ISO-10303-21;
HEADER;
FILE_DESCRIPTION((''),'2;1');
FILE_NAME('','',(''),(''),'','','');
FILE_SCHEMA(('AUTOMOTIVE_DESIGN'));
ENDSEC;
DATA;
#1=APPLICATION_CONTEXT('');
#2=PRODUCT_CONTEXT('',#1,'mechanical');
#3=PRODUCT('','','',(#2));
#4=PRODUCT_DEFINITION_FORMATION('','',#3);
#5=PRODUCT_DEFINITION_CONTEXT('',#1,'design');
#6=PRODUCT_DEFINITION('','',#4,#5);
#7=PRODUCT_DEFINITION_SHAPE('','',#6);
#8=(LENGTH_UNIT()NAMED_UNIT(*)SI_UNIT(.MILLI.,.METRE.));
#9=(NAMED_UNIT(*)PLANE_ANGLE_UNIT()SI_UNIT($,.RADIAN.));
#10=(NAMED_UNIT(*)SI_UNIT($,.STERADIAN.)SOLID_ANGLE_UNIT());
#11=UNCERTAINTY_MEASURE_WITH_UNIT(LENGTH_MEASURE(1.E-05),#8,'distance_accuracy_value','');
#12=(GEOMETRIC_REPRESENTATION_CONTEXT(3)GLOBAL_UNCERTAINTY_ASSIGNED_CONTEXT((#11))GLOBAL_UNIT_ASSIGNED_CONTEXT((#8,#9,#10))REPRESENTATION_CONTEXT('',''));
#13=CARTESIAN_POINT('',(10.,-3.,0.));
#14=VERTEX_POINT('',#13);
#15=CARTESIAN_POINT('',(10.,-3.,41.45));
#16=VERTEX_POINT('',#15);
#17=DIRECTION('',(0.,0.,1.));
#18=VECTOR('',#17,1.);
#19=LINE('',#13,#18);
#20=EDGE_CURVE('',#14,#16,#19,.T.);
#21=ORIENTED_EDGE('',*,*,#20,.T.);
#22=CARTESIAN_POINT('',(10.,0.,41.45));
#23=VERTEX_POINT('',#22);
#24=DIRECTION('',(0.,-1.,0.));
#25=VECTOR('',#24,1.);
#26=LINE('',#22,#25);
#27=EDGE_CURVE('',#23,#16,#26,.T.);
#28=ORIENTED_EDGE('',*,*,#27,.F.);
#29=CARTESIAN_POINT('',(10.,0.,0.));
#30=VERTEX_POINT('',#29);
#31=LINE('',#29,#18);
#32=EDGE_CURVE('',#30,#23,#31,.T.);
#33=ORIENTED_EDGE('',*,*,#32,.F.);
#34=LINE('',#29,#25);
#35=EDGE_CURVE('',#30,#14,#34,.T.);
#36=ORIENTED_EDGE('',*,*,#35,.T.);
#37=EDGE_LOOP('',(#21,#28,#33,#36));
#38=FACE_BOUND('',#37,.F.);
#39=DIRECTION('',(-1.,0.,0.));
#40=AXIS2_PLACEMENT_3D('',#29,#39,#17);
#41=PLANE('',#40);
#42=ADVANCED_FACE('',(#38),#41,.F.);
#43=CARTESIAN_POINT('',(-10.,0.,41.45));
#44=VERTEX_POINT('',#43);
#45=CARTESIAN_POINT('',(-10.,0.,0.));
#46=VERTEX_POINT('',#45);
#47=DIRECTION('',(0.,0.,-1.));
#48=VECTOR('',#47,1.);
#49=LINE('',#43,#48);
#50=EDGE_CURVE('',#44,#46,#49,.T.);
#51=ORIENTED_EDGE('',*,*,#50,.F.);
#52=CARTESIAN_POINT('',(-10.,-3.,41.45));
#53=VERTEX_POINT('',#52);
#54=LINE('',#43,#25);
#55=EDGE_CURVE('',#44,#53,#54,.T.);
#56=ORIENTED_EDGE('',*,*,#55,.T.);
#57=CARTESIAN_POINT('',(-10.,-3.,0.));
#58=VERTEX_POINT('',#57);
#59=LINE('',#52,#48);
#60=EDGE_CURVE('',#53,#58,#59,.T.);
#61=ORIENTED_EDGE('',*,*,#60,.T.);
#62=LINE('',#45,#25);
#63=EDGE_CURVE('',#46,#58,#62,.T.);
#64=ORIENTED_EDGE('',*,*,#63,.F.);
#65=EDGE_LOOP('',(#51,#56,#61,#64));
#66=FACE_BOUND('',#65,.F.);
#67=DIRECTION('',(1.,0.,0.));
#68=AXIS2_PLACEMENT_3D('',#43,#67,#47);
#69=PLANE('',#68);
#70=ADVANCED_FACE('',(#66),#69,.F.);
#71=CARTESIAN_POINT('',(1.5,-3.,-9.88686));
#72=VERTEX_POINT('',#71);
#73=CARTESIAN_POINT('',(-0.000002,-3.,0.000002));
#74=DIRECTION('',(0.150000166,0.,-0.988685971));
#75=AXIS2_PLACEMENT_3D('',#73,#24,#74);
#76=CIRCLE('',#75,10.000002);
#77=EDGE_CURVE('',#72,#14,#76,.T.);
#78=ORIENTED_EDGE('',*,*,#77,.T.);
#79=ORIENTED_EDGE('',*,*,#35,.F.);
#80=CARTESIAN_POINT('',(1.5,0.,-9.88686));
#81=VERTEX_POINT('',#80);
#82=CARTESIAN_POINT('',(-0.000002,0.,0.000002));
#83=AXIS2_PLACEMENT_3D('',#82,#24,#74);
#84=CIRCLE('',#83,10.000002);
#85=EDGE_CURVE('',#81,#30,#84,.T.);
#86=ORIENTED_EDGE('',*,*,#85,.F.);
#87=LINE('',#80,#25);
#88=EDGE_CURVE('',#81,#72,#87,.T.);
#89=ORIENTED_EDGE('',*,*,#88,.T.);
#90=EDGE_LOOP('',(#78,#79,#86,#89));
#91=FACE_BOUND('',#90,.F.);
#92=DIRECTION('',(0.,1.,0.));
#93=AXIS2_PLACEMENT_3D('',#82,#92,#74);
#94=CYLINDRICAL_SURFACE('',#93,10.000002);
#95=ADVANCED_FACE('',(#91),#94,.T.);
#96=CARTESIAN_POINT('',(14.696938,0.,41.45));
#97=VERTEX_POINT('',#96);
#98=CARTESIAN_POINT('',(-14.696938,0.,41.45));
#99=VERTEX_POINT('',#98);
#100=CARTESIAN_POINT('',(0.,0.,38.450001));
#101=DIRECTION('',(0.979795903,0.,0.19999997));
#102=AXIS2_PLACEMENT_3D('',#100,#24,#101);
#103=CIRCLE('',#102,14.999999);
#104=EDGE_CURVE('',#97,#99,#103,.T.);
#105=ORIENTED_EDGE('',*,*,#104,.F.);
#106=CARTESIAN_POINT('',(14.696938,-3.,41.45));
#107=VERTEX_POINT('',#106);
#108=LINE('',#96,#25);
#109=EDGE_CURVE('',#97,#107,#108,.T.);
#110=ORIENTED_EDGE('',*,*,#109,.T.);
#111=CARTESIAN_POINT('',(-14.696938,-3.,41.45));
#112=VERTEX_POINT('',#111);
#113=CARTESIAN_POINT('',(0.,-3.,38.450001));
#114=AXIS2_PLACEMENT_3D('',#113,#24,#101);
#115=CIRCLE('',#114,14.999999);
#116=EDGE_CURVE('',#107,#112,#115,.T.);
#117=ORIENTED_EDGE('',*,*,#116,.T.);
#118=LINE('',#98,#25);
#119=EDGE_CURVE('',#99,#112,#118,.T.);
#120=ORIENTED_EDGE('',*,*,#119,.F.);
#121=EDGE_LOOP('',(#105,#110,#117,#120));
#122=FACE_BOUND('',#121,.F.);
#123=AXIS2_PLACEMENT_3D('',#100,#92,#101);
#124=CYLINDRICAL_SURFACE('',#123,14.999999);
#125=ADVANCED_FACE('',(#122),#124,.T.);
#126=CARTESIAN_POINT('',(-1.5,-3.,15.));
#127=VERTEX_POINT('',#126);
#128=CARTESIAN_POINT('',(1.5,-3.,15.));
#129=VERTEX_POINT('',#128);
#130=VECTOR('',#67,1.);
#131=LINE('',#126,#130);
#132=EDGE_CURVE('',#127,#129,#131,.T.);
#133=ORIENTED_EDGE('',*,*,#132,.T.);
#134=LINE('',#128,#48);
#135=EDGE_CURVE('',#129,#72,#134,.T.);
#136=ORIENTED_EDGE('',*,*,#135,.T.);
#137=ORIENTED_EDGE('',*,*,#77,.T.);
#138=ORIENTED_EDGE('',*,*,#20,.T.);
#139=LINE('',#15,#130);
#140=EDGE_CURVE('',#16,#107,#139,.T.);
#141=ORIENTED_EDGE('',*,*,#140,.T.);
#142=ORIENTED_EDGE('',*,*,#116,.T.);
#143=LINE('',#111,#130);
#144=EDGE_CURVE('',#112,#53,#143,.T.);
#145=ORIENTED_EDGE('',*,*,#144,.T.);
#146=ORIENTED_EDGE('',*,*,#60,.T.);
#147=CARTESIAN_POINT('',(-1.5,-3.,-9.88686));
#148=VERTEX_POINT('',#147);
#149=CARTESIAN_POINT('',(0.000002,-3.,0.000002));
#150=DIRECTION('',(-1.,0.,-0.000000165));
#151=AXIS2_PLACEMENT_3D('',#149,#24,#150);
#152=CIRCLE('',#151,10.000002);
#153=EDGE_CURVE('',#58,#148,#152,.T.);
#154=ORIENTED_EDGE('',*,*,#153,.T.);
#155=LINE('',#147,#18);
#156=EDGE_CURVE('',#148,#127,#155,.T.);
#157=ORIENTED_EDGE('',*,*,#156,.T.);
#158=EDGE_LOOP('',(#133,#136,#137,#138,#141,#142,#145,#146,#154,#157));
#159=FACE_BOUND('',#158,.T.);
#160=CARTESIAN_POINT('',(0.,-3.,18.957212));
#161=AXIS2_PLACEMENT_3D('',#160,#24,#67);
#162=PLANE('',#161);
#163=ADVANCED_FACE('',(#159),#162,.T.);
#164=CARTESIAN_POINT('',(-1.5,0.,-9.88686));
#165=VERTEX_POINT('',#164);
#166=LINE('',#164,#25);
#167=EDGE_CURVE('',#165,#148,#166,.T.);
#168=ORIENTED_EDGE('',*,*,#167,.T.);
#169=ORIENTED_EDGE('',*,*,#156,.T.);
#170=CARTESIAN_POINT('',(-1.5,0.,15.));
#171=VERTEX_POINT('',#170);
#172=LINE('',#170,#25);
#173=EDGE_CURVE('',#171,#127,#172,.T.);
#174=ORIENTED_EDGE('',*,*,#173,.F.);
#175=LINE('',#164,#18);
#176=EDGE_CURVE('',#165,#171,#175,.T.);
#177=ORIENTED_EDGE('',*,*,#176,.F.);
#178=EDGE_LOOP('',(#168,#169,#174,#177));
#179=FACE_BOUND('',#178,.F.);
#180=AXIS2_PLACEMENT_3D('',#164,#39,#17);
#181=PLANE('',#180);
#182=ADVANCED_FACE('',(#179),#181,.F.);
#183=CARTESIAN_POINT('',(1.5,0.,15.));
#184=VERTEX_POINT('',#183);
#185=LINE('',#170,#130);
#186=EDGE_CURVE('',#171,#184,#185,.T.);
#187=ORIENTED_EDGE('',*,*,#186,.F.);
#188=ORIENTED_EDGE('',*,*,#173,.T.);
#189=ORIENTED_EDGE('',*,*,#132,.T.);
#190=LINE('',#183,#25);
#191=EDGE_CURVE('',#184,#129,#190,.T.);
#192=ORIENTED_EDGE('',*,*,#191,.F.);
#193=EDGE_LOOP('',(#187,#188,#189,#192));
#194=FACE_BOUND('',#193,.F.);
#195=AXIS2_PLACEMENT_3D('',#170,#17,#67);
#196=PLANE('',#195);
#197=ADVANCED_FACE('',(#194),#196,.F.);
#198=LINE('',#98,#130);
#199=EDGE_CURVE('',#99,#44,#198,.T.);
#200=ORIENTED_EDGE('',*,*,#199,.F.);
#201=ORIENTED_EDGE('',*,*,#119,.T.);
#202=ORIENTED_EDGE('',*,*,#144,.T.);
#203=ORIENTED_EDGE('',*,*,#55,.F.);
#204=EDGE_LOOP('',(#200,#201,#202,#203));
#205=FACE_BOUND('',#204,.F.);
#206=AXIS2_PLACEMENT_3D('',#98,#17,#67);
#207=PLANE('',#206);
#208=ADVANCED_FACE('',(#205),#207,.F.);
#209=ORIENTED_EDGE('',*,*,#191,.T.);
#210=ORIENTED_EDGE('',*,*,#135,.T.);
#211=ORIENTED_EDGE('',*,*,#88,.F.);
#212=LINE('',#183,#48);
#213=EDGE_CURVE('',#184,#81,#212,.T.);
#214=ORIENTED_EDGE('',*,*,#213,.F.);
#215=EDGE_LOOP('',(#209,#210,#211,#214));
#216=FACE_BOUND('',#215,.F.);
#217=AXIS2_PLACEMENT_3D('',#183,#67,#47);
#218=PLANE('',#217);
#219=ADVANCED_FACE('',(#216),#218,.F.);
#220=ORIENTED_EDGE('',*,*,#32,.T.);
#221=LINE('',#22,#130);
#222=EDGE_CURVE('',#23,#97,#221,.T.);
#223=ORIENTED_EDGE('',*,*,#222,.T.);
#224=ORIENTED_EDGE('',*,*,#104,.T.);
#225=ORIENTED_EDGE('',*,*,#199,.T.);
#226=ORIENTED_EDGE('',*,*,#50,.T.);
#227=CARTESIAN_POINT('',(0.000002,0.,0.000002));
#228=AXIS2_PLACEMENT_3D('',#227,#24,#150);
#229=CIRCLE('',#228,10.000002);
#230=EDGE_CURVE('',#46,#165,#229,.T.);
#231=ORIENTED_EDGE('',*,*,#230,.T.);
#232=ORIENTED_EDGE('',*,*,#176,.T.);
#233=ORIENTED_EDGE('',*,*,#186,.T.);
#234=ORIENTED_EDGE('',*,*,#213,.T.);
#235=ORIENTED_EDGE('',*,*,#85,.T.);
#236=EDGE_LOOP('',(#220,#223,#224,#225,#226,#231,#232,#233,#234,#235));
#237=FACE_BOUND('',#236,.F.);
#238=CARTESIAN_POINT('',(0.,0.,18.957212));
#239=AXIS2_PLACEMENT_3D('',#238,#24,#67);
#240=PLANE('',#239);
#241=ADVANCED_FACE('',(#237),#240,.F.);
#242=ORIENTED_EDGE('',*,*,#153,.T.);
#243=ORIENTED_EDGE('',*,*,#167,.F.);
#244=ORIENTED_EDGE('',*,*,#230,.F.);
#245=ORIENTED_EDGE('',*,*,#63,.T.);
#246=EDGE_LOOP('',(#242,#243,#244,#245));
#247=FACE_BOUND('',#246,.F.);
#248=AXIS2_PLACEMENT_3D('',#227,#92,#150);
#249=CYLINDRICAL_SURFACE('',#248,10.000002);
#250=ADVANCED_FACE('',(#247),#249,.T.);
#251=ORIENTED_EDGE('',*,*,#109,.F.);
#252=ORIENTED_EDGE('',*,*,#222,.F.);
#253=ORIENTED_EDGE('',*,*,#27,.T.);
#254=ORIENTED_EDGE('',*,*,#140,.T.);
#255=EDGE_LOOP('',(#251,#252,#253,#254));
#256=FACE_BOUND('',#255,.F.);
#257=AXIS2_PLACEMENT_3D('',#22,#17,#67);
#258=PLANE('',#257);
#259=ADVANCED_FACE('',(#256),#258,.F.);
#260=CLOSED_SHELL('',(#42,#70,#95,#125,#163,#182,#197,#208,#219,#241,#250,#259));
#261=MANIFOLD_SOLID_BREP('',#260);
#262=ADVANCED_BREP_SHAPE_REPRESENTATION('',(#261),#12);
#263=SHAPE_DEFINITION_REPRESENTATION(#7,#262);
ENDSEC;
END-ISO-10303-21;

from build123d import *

# Parameters (mm, degrees)
F1_DEPTH = 3


with BuildPart() as f1:
    # F0 (on Front) → F1 (new body)
    with BuildSketch(Plane.XZ):
        with BuildLine():
            Line((-14.696938, 41.45), (-10, 41.45))
            Line((-10, 41.45), (-10, 0))
            ThreePointArc((-10, 0), (-7.582875, -6.519202), (-1.5, -9.88686))
            Line((-1.5, -9.88686), (-1.5, 15))
            Line((-1.5, 15), (1.5, 15))
            Line((1.5, 15), (1.5, -9.88686))
            ThreePointArc((1.5, -9.88686), (7.582875, -6.519202), (10, 0))
            Line((10, 0), (10, 41.45))
            Line((10, 41.45), (14.696938, 41.45))
            ThreePointArc((14.696938, 41.45), (0, 53.45), (-14.696938, 41.45))
        make_face()
    extrude(amount=F1_DEPTH)


solid = f1.part
